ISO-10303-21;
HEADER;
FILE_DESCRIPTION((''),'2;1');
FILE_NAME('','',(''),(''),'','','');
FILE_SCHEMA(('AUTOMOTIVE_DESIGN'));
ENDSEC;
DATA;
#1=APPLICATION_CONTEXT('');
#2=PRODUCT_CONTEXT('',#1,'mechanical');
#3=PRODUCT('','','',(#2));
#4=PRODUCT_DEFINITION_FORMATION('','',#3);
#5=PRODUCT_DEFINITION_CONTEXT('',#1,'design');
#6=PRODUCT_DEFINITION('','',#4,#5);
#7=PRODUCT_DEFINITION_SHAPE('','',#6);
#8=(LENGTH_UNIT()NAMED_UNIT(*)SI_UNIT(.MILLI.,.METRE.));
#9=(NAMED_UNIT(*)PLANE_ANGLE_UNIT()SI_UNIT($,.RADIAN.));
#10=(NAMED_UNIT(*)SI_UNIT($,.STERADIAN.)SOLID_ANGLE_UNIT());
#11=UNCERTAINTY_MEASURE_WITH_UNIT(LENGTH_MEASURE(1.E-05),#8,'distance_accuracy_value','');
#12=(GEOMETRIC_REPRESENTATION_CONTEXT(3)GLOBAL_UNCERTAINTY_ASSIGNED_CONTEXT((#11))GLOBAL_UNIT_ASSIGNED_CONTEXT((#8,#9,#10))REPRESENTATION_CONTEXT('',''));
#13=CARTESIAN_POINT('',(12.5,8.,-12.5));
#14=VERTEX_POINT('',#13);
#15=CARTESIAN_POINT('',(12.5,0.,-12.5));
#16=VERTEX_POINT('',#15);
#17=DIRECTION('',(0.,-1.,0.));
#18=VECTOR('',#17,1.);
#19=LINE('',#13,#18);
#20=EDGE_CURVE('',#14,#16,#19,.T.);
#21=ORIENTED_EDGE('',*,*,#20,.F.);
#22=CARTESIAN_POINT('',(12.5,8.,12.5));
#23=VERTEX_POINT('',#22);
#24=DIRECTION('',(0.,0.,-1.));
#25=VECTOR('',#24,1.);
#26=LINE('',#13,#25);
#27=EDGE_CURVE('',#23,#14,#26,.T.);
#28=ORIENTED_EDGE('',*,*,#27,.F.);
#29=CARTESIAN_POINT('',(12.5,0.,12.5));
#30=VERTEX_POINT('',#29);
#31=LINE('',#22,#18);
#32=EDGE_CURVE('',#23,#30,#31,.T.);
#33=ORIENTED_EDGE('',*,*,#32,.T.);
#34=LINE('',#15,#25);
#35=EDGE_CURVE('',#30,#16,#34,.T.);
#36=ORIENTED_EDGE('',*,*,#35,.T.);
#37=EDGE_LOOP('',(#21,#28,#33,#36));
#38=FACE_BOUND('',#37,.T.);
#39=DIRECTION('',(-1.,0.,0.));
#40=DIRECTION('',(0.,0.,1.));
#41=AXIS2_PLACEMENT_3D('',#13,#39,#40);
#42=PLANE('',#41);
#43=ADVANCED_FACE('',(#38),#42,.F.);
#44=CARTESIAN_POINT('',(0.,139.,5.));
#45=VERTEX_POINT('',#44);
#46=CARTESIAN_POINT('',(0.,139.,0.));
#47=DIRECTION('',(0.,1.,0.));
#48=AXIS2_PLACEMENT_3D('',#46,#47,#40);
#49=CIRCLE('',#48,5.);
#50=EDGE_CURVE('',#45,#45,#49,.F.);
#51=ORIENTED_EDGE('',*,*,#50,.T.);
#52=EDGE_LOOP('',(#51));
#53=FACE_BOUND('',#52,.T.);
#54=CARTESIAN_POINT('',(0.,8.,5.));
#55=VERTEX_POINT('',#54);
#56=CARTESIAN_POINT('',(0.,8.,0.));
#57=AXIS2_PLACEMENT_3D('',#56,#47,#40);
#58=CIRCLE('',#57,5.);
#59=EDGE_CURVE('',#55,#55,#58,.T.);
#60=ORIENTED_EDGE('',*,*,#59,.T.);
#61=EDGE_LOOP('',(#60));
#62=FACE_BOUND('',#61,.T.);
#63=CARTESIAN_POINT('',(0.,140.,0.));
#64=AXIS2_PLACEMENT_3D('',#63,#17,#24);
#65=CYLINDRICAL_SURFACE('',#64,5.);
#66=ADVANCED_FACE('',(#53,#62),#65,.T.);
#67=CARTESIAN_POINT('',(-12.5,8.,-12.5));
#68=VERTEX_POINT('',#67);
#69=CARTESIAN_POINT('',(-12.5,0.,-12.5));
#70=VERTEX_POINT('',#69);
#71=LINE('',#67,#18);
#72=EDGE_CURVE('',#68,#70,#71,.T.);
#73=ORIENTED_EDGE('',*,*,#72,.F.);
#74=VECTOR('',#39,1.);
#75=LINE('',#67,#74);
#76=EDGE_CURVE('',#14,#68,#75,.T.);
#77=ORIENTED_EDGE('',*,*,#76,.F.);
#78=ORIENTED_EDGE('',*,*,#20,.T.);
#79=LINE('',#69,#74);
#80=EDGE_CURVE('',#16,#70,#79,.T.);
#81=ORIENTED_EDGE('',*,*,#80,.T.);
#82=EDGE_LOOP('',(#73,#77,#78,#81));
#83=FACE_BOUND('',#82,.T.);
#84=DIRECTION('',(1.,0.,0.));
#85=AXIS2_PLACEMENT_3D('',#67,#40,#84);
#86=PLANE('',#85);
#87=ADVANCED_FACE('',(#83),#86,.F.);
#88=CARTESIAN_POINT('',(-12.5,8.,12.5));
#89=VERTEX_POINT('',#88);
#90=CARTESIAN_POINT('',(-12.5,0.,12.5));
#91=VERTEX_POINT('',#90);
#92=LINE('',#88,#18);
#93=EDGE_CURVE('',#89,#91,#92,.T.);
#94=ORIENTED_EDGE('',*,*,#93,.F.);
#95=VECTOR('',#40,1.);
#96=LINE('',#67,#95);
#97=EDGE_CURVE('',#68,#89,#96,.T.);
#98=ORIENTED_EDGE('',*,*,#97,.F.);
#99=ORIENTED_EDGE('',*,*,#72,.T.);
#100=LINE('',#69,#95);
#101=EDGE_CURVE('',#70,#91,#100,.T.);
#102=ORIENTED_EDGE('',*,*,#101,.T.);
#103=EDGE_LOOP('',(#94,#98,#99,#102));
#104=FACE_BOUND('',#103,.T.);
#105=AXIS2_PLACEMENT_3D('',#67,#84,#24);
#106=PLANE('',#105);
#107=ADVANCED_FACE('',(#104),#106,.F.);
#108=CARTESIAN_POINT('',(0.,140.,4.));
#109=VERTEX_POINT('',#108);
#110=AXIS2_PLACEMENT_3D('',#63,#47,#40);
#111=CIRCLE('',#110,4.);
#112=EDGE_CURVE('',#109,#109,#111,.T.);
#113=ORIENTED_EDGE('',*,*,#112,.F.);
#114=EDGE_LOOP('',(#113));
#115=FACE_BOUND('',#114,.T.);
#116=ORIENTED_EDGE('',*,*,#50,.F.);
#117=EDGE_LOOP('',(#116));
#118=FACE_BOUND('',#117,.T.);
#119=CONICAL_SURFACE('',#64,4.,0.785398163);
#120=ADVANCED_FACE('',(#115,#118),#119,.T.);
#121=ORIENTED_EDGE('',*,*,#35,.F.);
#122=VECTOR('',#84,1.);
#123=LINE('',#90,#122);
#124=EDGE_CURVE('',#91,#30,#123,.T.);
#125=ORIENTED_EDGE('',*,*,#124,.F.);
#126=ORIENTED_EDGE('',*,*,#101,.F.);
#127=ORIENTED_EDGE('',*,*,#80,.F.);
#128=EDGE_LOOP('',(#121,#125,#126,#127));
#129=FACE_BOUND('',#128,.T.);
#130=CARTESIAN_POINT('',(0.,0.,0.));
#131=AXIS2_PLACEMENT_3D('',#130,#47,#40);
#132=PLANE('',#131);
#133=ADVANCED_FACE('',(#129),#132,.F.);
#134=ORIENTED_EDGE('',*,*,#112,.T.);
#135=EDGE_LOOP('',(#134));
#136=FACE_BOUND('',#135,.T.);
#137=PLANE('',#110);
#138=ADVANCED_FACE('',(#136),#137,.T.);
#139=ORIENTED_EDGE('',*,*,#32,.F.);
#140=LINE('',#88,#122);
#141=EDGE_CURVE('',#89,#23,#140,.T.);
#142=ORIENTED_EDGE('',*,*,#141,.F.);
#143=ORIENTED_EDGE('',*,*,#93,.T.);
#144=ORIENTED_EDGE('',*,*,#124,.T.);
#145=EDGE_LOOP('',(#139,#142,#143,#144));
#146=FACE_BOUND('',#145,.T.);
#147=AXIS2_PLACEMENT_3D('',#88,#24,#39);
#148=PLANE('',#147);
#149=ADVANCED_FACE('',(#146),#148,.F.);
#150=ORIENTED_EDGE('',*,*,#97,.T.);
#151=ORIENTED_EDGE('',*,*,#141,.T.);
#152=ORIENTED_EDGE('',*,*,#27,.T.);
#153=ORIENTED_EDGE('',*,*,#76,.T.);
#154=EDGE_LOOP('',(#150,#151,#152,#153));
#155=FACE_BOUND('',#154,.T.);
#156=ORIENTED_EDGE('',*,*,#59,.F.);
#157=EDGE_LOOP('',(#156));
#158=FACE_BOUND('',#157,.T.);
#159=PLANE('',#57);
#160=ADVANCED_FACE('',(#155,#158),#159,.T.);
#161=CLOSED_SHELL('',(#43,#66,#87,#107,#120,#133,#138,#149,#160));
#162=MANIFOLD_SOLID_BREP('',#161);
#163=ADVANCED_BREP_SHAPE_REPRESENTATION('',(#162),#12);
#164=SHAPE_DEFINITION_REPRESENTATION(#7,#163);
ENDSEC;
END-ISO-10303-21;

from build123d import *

# Parameters (mm, degrees)
SKETCH1_W           = 25
SKETCH1_H           = 25
BOSS_EXTRUDE1_DEPTH = 8
SKETCH2_R           = 5
BOSS_EXTRUDE2_DEPTH = 132
CHAMFER1_SIZE       = 1


with BuildPart() as part:
    # Sketch1 → Boss-Extrude1 (new body)
    with BuildSketch(Plane(origin=(0, 0, 0), x_dir=(1, 0, 0), z_dir=(0, 1, 0))):
        Rectangle(SKETCH1_W, SKETCH1_H)
    extrude(amount=BOSS_EXTRUDE1_DEPTH)

    # Sketch2 → Boss-Extrude2 (add)
    with BuildSketch(Plane(origin=(0, 8, 0), x_dir=(1, 0, 0), z_dir=(0, 1, 0))):
        with Locations(Location((0, 0, 0), (0, 0, 270))):
            Circle(SKETCH2_R)
    extrude(amount=BOSS_EXTRUDE2_DEPTH)

    # Chamfer1
    chamfer1_edges = [part.edges().sort_by_distance(p)[0] for p in [
        (0, 140, -5),
    ]]
    chamfer(chamfer1_edges, length=CHAMFER1_SIZE)


solid = part.part
